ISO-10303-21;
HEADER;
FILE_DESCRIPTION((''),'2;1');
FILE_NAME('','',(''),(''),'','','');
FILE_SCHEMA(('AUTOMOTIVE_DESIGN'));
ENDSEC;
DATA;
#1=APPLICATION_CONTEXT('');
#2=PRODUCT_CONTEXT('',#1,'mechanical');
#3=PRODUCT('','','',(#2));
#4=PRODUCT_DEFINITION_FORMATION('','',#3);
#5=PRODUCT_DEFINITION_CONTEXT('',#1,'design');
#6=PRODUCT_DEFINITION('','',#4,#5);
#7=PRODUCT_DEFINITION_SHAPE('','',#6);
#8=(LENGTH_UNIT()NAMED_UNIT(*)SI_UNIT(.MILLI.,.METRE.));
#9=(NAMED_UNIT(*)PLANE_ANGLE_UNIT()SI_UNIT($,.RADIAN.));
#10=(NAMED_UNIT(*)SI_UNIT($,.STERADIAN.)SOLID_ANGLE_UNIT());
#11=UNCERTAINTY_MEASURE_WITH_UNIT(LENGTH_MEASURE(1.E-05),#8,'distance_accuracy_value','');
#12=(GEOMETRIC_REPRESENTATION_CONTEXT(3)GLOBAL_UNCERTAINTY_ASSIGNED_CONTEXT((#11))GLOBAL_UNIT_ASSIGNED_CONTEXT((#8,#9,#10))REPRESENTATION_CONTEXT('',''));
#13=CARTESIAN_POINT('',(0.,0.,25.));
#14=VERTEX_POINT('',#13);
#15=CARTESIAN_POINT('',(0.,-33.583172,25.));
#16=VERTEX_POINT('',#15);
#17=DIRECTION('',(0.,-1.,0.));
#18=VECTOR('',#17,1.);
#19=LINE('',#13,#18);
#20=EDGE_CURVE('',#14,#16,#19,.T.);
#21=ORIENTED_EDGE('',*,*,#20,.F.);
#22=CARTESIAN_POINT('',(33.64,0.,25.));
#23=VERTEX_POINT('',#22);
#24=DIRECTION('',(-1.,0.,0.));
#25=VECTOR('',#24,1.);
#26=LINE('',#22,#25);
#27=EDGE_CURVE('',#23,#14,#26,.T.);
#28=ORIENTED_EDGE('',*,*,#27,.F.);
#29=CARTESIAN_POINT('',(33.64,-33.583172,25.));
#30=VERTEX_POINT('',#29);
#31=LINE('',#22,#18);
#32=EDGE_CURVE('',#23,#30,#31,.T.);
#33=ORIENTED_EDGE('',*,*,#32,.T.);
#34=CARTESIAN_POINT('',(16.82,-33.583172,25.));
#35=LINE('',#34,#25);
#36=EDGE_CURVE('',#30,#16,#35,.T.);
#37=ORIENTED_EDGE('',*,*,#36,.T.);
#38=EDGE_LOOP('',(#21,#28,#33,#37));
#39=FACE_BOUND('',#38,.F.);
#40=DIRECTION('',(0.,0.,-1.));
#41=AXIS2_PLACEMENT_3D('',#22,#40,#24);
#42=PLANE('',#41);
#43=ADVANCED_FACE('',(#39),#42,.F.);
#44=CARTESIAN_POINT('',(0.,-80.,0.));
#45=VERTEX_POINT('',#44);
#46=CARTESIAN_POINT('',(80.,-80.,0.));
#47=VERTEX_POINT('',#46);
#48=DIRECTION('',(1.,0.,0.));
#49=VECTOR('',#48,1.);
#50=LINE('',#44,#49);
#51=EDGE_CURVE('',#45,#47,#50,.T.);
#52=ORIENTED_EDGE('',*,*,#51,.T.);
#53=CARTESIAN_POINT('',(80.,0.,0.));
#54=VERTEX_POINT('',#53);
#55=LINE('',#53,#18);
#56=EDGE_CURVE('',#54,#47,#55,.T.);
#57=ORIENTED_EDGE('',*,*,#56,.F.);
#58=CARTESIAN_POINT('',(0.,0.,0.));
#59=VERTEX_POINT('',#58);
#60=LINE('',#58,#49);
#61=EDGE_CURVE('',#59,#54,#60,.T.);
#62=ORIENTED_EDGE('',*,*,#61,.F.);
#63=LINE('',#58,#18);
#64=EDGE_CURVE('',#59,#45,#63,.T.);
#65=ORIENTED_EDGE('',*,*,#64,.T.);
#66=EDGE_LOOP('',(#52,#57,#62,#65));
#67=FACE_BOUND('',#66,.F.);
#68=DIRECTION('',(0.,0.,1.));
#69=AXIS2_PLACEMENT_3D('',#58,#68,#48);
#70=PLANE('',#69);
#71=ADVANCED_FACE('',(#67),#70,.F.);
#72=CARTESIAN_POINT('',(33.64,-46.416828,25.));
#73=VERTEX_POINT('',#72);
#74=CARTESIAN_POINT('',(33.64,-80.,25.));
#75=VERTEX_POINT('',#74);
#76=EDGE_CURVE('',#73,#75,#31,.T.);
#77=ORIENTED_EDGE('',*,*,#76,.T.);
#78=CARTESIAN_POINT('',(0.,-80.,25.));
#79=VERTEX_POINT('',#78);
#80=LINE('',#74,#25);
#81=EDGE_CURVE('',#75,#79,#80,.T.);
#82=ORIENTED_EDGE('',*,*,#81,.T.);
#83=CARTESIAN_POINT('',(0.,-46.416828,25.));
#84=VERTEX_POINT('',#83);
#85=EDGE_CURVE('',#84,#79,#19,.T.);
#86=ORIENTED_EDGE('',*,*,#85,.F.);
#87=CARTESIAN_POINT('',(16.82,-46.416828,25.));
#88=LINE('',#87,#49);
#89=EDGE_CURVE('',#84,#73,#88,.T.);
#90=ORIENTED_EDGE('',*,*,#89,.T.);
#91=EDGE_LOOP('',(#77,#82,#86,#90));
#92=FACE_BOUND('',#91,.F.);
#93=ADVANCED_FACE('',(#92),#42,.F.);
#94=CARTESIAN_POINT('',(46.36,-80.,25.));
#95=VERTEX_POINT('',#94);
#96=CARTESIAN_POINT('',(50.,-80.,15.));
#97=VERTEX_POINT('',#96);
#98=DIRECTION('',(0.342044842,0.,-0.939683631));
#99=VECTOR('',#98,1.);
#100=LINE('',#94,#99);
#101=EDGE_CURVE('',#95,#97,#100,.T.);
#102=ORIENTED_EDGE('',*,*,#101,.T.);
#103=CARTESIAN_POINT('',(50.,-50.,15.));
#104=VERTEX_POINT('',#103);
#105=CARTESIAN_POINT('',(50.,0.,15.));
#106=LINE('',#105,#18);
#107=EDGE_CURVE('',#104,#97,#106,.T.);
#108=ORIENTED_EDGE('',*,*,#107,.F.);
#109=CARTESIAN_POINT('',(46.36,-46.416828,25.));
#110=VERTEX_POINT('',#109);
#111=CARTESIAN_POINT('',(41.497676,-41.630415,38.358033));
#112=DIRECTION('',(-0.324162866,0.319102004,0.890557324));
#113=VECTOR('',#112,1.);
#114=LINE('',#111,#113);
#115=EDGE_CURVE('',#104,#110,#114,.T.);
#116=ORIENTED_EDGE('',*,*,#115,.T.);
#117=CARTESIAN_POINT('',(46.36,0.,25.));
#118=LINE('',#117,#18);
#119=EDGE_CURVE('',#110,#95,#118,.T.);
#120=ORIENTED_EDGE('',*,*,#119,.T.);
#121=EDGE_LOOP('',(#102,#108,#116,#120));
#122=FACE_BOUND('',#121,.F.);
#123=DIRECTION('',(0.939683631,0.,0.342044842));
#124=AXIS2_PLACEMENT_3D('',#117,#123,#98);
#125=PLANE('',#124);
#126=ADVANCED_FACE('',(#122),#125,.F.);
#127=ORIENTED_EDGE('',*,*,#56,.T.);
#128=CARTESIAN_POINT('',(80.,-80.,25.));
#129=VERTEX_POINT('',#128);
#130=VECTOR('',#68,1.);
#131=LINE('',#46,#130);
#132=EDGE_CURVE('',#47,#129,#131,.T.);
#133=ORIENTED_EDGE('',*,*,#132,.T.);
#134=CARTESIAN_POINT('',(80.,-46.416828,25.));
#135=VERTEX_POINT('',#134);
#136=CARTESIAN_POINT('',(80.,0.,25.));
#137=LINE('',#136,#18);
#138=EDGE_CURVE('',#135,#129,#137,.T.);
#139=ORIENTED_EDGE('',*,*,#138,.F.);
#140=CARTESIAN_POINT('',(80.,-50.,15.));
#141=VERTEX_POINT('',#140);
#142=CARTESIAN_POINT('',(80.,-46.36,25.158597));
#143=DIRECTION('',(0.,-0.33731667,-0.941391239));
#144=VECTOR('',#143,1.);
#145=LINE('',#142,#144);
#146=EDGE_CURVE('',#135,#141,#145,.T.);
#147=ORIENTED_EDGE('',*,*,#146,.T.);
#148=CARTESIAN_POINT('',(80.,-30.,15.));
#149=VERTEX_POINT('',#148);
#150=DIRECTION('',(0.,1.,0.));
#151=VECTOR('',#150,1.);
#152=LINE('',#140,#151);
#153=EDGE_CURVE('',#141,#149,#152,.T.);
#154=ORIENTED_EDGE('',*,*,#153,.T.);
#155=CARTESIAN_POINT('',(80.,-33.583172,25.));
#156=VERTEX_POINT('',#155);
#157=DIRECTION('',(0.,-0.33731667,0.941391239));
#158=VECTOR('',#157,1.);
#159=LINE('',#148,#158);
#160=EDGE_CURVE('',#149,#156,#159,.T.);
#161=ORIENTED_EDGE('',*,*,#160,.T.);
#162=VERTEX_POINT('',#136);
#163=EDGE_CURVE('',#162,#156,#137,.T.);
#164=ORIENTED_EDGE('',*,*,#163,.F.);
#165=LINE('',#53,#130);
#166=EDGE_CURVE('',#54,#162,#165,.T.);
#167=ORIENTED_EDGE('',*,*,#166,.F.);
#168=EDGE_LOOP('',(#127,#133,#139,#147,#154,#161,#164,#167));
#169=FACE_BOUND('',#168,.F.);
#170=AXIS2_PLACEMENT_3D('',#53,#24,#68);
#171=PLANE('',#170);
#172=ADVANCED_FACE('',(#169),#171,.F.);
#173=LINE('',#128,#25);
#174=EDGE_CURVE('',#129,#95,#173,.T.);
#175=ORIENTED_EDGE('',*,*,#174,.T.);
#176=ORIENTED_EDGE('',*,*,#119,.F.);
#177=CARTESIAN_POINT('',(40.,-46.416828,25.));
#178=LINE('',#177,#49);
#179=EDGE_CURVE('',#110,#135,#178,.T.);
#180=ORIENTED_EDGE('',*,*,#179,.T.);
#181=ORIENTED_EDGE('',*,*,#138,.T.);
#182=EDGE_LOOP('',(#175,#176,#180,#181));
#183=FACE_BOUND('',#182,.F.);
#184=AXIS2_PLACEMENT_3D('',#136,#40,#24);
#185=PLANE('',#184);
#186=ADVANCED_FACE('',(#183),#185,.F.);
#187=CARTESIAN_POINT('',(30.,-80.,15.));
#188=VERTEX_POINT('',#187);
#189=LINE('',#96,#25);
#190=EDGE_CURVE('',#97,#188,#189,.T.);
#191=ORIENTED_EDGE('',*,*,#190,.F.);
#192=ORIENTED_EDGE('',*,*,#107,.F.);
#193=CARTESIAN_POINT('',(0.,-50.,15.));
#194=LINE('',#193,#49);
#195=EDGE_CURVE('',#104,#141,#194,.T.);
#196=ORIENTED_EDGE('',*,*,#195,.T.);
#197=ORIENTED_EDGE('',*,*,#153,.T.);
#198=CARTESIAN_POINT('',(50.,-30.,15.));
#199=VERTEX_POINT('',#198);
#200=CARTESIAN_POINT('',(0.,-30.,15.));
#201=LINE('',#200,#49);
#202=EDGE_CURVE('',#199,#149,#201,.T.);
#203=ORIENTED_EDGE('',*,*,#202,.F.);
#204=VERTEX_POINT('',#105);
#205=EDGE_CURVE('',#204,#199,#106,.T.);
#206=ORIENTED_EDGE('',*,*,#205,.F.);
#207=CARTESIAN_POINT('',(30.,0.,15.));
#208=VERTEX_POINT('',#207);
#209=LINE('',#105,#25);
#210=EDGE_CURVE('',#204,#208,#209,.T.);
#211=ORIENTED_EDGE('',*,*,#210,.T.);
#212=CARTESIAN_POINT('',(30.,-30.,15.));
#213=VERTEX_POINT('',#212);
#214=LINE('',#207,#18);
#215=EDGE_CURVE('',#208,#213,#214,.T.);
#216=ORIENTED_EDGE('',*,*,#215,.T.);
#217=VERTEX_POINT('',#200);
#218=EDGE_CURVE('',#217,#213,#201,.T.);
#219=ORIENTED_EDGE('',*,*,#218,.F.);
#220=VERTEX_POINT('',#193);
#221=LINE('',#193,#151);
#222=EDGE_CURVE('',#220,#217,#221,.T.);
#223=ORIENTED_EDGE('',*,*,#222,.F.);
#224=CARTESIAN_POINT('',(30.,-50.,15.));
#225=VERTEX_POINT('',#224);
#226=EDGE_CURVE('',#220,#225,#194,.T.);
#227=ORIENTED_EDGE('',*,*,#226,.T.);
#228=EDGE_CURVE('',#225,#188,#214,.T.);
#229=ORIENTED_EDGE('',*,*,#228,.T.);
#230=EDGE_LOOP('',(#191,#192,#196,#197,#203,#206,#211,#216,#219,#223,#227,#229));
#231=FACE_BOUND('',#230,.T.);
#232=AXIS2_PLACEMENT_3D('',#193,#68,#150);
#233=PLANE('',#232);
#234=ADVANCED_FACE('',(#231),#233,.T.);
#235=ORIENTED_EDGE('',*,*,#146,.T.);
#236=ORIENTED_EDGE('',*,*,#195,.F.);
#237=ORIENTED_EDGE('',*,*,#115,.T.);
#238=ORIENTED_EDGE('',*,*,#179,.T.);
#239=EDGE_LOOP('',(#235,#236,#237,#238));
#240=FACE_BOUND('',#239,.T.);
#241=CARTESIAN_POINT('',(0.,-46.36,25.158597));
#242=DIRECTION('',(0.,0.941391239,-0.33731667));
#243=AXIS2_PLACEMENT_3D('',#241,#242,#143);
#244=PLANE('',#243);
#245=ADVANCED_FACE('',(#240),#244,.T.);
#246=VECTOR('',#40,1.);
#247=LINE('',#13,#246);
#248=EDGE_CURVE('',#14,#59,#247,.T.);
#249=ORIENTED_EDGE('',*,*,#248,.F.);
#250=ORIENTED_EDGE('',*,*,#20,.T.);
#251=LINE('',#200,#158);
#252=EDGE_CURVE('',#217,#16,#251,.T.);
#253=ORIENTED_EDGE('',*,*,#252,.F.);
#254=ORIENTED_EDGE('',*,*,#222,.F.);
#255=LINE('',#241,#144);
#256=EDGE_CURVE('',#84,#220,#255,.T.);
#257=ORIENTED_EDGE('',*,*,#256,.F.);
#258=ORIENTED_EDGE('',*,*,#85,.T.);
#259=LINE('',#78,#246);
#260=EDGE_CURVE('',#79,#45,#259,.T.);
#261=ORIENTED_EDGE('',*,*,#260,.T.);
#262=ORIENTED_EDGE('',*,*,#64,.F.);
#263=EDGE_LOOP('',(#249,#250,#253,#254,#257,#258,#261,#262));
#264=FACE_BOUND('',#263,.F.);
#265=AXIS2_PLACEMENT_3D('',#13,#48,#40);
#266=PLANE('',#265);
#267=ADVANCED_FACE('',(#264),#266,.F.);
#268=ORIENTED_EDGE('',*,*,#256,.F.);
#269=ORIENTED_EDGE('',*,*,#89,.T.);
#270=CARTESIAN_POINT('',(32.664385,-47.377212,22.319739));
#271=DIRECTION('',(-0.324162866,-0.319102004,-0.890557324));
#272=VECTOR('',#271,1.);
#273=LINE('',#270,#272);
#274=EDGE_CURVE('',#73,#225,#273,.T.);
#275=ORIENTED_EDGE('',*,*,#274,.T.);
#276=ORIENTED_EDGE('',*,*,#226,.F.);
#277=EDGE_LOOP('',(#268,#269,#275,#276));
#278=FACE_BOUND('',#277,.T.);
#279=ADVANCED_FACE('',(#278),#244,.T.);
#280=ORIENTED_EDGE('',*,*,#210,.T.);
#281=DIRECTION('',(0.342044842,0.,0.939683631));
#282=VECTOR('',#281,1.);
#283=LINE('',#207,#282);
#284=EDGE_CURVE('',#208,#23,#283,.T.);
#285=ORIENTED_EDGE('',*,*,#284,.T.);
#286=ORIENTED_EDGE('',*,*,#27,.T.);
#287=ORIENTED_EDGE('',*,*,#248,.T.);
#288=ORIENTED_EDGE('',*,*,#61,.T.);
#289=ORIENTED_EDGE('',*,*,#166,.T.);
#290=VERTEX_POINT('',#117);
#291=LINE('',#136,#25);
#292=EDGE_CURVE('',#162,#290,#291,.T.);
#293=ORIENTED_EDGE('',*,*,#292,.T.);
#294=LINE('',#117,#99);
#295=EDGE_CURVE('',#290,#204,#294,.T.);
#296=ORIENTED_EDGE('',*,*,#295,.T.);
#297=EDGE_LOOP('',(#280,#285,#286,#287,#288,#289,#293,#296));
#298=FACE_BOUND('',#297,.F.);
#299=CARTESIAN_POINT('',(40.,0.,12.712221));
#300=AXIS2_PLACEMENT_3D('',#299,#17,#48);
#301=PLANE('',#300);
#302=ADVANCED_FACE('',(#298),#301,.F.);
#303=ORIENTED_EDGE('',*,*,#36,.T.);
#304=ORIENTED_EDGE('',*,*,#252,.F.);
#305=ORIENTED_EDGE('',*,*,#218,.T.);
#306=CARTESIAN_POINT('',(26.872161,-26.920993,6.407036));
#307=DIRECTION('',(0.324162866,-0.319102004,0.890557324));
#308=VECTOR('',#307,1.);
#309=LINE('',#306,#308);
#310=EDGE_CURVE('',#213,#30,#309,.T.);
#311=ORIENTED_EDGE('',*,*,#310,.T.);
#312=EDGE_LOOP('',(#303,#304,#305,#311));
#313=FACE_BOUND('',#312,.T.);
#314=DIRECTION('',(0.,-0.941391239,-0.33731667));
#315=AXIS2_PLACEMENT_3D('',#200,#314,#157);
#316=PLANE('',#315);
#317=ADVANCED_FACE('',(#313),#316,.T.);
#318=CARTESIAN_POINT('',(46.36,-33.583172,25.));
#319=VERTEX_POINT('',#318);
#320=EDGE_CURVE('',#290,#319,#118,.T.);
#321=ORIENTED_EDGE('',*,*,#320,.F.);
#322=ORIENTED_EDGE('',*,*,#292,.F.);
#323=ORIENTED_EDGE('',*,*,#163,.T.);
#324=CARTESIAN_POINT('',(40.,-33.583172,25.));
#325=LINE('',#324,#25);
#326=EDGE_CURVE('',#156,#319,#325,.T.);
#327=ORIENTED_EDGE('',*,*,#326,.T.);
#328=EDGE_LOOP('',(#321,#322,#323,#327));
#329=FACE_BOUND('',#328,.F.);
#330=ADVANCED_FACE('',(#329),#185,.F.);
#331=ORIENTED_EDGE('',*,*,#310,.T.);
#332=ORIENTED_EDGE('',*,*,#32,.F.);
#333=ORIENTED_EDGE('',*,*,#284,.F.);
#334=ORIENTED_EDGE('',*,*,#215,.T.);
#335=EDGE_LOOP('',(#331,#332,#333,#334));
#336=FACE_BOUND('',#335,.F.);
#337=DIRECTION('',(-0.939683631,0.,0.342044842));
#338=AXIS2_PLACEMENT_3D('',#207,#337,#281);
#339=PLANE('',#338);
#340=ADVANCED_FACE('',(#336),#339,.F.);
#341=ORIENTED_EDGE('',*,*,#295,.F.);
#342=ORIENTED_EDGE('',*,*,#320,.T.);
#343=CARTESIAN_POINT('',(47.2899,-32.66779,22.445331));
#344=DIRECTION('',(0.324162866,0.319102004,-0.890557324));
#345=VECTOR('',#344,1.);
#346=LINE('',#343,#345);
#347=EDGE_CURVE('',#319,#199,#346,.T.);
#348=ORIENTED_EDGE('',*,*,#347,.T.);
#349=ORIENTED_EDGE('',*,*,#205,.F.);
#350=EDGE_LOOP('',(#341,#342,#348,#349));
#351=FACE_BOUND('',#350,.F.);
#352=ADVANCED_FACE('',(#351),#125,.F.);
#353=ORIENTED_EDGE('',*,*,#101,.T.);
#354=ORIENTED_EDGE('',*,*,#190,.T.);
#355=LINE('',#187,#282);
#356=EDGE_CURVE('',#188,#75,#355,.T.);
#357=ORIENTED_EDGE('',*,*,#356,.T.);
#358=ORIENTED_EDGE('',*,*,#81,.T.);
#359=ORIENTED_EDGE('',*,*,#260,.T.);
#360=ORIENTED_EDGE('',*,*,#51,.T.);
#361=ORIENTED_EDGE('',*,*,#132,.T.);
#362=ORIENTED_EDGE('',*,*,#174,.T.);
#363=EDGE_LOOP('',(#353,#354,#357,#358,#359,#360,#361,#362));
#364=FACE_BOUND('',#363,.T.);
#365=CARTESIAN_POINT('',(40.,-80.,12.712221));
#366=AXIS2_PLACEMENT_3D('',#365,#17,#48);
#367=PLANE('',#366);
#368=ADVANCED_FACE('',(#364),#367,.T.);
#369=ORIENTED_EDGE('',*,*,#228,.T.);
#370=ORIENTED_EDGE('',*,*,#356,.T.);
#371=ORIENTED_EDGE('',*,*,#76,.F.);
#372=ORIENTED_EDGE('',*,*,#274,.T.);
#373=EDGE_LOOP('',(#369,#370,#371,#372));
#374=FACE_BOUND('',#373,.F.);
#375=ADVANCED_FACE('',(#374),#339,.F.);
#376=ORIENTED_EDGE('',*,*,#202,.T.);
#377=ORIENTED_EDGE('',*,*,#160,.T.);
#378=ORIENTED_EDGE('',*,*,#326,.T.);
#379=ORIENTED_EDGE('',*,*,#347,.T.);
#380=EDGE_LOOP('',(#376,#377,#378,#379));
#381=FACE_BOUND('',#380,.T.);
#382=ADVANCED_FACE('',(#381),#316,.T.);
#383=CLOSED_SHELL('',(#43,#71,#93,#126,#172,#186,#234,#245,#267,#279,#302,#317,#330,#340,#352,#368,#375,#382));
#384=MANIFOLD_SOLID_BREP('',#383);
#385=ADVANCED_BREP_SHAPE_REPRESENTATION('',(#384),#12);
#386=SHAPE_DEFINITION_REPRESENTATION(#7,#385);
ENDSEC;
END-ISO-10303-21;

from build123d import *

# Parameters (mm, degrees)
F1_DEPTH = 80
F3_DEPTH = 80


with BuildPart() as f1:
    # F0 (on Front) → F1 (new body)
    with BuildSketch(Plane.XZ):
        Polygon((0, 25), (0, 0), (80, 0), (80, 25), (46.36, 25), (50, 15), (30, 15), (33.64, 25), align=None)
    extrude(amount=F1_DEPTH)

    # F2 (on Right) → F3 (cut)
    with BuildSketch(Plane.YZ):
        Polygon((-50, 15), (-30, 15), (-33.64, 25.158597), (-46.36, 25.158597), align=None)
    extrude(amount=F3_DEPTH, mode=Mode.SUBTRACT)


solid = f1.part
